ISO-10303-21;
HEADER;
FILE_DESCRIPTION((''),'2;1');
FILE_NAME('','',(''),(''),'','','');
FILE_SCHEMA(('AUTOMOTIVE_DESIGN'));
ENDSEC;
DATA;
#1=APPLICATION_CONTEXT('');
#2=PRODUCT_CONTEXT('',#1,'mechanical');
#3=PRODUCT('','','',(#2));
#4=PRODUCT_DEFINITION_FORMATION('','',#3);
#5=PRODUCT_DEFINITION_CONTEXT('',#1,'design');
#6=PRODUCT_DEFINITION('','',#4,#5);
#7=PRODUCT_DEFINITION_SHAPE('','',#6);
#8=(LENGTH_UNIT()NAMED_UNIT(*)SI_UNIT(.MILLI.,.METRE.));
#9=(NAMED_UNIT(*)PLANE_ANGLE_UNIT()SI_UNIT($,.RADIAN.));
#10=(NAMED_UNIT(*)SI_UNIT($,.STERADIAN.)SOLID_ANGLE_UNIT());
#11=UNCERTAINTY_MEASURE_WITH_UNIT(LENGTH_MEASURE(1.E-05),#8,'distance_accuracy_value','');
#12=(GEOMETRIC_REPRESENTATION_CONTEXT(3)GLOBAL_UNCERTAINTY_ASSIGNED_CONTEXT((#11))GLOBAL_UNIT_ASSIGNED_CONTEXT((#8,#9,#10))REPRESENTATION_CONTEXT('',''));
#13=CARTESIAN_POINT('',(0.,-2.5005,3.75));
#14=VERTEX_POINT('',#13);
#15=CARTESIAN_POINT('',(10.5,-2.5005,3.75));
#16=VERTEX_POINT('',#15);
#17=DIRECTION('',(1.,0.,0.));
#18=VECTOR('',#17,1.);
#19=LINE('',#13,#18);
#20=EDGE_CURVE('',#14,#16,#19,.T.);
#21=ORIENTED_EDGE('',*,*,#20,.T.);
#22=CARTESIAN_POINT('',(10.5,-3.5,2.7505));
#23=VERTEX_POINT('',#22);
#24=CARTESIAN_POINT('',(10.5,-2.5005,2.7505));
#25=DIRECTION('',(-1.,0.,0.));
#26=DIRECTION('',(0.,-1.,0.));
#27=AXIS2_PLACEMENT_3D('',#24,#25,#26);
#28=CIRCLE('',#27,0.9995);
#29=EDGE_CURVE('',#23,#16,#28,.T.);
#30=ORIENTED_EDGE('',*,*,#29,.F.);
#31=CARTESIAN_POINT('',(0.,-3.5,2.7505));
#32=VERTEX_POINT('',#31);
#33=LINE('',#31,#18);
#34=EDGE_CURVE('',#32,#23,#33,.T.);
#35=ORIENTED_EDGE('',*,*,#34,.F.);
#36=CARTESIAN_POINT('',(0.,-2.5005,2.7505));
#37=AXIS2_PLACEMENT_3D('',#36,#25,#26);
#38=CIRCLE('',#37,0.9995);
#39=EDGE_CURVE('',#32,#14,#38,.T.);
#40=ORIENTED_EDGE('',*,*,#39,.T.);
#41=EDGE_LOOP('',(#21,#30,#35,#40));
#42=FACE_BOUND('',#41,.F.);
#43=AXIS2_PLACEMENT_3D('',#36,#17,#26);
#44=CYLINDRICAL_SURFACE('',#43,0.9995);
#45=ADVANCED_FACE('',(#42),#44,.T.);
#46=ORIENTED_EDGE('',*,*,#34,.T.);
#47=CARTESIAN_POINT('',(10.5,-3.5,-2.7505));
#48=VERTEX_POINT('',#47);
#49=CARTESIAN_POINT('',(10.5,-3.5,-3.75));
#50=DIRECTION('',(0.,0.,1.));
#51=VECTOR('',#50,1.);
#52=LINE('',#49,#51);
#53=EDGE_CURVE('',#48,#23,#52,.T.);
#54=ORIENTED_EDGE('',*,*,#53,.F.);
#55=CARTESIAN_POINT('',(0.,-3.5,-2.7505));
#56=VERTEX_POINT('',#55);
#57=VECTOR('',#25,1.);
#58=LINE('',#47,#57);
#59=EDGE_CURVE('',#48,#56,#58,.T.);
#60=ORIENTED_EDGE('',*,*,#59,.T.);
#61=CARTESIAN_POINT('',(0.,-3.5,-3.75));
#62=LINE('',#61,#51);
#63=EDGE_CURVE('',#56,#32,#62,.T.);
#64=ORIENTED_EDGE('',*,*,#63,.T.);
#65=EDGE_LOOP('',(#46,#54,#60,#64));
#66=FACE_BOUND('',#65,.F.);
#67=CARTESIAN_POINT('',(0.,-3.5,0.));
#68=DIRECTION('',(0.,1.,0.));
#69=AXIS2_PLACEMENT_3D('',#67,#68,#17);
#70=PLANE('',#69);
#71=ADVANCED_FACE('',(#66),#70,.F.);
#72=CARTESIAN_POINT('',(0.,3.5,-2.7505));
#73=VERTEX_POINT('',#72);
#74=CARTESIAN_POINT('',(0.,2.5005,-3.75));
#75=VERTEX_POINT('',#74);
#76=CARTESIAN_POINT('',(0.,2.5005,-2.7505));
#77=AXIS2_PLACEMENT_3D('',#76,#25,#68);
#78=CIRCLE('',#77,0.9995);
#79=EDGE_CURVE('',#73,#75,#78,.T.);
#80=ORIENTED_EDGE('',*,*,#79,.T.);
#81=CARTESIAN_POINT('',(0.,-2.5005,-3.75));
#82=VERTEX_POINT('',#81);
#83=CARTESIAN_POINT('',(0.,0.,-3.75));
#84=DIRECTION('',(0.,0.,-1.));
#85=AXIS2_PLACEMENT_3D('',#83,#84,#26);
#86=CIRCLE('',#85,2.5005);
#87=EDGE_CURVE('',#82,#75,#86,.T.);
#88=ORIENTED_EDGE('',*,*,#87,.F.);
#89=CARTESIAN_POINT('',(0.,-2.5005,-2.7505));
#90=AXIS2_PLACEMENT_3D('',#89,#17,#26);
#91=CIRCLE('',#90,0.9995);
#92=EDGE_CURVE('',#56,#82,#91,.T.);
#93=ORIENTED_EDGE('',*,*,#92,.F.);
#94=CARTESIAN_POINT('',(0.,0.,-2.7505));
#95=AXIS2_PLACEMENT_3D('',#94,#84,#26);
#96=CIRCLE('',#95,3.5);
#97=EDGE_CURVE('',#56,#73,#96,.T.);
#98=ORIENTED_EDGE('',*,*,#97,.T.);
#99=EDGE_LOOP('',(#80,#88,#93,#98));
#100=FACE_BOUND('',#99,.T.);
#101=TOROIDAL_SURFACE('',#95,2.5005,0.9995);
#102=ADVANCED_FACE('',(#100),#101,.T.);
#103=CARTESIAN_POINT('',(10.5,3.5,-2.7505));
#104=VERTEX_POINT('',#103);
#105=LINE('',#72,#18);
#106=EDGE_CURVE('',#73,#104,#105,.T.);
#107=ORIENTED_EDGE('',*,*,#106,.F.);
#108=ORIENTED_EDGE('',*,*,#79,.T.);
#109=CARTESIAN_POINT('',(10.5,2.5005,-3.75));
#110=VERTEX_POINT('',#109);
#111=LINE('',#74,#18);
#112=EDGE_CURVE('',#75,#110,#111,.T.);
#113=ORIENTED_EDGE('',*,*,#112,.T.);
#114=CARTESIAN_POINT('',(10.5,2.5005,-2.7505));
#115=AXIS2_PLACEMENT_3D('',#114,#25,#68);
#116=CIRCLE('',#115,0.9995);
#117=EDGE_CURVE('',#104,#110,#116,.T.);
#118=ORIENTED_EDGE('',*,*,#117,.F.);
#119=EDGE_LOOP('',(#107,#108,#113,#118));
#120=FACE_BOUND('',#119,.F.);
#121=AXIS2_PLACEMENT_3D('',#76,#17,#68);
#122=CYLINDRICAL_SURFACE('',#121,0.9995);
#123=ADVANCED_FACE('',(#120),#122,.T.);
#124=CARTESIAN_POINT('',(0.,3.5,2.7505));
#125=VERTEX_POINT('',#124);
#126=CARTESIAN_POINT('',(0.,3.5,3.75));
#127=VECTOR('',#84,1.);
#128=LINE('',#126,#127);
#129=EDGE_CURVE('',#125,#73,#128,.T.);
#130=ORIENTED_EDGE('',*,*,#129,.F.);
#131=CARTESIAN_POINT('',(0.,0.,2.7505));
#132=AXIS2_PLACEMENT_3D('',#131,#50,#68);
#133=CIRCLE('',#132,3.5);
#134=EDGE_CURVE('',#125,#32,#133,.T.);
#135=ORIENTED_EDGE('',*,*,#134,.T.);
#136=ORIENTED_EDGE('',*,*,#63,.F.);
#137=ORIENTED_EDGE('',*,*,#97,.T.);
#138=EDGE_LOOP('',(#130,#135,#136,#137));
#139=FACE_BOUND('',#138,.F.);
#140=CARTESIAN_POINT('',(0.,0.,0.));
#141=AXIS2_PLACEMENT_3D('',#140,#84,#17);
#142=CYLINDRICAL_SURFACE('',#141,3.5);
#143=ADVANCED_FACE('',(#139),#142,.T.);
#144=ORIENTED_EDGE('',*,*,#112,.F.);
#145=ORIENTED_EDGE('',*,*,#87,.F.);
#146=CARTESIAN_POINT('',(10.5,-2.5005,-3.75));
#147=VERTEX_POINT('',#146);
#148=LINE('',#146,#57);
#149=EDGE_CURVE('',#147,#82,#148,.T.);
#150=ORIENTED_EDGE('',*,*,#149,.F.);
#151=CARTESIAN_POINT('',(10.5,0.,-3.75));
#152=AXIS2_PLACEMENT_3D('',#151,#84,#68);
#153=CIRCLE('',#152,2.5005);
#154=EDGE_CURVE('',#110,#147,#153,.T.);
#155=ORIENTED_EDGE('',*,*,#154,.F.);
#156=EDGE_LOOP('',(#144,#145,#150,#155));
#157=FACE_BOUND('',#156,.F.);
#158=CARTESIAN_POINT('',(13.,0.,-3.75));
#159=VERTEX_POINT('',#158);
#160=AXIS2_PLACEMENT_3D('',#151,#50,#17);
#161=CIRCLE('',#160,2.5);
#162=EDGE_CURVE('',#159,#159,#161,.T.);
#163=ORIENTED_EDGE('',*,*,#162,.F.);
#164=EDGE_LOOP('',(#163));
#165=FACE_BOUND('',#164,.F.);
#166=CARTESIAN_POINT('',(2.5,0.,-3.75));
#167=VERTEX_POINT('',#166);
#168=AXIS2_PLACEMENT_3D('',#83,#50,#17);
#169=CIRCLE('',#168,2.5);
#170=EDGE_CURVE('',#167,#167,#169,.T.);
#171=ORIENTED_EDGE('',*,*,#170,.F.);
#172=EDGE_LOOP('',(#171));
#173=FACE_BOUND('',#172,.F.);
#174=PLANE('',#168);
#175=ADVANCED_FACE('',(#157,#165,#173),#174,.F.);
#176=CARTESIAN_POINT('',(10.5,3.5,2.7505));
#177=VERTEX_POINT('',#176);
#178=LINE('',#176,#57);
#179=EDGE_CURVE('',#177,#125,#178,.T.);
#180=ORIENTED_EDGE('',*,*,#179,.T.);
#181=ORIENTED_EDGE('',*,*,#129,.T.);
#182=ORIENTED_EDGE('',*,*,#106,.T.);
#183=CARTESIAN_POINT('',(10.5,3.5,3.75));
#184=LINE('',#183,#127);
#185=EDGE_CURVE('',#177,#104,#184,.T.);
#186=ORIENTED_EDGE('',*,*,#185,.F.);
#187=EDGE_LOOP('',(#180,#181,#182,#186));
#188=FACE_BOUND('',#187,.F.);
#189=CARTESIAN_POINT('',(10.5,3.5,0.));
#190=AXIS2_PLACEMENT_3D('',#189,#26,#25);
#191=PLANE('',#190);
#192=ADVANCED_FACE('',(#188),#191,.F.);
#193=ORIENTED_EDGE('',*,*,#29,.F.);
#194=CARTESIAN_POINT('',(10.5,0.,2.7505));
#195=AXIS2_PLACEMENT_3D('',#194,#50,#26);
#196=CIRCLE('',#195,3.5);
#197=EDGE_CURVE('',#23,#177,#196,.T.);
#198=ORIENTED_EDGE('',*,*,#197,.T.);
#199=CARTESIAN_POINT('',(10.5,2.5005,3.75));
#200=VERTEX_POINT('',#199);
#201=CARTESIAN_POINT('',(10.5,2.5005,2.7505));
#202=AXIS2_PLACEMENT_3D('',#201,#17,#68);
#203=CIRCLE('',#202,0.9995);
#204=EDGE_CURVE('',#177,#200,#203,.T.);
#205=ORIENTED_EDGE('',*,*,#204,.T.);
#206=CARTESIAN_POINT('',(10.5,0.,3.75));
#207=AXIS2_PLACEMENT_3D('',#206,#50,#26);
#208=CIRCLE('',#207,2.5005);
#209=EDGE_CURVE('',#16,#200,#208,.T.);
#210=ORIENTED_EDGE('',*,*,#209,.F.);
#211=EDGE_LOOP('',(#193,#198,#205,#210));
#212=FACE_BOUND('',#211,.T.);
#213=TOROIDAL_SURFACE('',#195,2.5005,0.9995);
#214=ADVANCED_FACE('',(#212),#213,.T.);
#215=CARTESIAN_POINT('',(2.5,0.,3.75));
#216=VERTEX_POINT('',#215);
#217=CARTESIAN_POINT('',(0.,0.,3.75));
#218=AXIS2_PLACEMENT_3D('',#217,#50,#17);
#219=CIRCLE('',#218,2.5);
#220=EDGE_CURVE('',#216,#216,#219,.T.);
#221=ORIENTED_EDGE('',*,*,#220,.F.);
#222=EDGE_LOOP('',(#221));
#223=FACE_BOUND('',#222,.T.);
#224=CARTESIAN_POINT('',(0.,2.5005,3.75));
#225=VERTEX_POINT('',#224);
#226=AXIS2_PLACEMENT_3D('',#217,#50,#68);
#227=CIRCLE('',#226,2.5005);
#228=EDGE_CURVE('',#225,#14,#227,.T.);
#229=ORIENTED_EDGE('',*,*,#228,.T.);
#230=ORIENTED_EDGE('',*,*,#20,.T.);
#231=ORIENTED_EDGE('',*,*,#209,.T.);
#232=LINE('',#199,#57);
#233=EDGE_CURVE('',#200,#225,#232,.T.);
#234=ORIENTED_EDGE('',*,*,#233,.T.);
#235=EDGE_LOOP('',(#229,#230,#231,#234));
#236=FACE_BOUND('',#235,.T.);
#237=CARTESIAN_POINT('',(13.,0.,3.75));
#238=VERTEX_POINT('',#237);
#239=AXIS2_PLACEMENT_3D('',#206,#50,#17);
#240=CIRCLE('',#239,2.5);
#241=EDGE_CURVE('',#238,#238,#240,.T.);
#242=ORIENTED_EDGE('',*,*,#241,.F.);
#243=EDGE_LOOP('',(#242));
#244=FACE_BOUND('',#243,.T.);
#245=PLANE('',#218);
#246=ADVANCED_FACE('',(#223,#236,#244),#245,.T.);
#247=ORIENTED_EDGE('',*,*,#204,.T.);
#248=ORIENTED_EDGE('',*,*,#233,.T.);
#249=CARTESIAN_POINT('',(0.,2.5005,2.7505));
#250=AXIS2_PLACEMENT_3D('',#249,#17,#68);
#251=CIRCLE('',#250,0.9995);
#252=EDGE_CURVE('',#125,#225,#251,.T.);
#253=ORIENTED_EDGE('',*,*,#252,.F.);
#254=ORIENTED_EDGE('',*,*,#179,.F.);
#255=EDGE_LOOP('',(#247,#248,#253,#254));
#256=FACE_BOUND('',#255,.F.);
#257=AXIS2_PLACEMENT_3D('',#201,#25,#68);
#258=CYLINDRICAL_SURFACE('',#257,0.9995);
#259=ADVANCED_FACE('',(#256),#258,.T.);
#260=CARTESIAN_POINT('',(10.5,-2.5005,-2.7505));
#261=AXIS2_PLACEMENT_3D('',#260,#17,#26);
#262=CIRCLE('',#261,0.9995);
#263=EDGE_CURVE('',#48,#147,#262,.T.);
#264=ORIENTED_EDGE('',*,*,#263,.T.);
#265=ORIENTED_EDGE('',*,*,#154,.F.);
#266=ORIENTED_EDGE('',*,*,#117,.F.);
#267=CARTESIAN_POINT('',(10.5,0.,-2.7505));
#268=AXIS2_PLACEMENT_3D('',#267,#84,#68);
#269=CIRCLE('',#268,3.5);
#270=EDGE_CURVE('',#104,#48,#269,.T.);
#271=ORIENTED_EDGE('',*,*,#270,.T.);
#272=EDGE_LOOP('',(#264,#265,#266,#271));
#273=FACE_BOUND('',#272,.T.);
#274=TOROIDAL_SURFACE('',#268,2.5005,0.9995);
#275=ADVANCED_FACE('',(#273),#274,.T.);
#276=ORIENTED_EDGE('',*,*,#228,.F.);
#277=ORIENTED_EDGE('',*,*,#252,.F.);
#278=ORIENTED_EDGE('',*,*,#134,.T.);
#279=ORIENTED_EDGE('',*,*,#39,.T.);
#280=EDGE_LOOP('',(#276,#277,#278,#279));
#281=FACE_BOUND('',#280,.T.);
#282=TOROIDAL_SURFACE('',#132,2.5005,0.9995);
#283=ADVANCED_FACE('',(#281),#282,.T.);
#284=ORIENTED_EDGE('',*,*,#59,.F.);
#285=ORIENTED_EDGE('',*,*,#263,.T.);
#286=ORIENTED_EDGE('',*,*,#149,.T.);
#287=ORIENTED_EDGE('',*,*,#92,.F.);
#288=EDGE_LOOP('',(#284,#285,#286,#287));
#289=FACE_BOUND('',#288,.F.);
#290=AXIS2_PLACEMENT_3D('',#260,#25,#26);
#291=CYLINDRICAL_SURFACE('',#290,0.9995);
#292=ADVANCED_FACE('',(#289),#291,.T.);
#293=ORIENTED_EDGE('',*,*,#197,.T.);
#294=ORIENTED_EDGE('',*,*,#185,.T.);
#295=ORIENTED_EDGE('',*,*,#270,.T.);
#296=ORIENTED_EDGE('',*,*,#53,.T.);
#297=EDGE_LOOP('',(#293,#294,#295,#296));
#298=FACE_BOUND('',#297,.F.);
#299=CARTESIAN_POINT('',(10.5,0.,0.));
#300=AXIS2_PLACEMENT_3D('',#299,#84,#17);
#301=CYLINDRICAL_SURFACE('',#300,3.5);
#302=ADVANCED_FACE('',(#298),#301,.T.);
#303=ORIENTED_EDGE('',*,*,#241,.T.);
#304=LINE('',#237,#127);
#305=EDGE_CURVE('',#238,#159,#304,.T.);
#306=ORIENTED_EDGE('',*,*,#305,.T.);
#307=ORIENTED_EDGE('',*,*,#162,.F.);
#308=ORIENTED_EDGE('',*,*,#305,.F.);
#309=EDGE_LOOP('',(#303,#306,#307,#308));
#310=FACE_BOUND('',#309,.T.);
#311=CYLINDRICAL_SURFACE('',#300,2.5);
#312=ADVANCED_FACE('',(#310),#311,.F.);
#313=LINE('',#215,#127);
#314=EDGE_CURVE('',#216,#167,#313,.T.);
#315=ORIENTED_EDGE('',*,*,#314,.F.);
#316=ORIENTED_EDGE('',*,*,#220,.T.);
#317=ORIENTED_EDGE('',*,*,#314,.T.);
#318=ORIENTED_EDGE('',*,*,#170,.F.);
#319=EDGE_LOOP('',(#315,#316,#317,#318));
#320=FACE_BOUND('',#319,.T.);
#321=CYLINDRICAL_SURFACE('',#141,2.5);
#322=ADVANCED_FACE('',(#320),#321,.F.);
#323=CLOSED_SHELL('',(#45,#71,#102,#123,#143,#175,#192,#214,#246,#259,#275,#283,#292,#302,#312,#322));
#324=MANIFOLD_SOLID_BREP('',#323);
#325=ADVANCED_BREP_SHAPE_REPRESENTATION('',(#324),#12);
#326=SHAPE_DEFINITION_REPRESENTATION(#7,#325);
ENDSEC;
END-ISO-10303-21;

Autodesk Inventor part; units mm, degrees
ref_plane "YZ Plane" through (0, 0, 0) normal (1, 0, 0) x (0, 1, 0)
ref_plane "XZ Plane" through (0, 0, 0) normal (0, 1, 0) x (-1, 0, 0)
ref_plane "XY Plane" through (0, 0, 0) normal (0, 0, 1) x (1, 0, 0)
sketch "草图1" plane through (0, 0, 0) normal (0, 0, 1) x (1, 0, 0)
  circle A0 centre (9, 0) radius 2.5 construction
  circle A1 centre (0, 0) radius 2.5 construction
  circle A2 centre (0, 0) radius 2.5
  circle A3 centre (0, 0) radius 3.5
  line L0 (10.5, 3.5) -> (0, 3.5)
  line L1 (0, -3.5) -> (10.5, -3.5)
  circle A4 centre (10.5, 0) radius 2.5 construction
  circle A5 centre (10.5, 0) radius 2.5
  circle A6 centre (10.5, 0) radius 3.5
  line L2 (0, 0) -> (9.7373, 0) construction
  point P0 (1, 4.5)
  point P1 (1, -2.5)
  dimension "d4" = 7
  dimension "d7" = 7
  dimension "d8" = 10.5
  dimension "d9" = 10.5
extrude "拉伸1" add sketch "草图1" along normal mid plane 7.5
fillet "圆角1" radius 1 8 edges at (-3.5, 0, 3.75) (5.25, -3.5, 3.75) (14, 0, 3.75) (5.25, 3.5, 3.75) (14, 0, -3.75) (5.25, -3.5, -3.75) (-3.5, 0, -3.75) (5.25, 3.5, -3.75)
equation "\"d9\" = d8"
properties part number "链" material "ABS 塑料"
